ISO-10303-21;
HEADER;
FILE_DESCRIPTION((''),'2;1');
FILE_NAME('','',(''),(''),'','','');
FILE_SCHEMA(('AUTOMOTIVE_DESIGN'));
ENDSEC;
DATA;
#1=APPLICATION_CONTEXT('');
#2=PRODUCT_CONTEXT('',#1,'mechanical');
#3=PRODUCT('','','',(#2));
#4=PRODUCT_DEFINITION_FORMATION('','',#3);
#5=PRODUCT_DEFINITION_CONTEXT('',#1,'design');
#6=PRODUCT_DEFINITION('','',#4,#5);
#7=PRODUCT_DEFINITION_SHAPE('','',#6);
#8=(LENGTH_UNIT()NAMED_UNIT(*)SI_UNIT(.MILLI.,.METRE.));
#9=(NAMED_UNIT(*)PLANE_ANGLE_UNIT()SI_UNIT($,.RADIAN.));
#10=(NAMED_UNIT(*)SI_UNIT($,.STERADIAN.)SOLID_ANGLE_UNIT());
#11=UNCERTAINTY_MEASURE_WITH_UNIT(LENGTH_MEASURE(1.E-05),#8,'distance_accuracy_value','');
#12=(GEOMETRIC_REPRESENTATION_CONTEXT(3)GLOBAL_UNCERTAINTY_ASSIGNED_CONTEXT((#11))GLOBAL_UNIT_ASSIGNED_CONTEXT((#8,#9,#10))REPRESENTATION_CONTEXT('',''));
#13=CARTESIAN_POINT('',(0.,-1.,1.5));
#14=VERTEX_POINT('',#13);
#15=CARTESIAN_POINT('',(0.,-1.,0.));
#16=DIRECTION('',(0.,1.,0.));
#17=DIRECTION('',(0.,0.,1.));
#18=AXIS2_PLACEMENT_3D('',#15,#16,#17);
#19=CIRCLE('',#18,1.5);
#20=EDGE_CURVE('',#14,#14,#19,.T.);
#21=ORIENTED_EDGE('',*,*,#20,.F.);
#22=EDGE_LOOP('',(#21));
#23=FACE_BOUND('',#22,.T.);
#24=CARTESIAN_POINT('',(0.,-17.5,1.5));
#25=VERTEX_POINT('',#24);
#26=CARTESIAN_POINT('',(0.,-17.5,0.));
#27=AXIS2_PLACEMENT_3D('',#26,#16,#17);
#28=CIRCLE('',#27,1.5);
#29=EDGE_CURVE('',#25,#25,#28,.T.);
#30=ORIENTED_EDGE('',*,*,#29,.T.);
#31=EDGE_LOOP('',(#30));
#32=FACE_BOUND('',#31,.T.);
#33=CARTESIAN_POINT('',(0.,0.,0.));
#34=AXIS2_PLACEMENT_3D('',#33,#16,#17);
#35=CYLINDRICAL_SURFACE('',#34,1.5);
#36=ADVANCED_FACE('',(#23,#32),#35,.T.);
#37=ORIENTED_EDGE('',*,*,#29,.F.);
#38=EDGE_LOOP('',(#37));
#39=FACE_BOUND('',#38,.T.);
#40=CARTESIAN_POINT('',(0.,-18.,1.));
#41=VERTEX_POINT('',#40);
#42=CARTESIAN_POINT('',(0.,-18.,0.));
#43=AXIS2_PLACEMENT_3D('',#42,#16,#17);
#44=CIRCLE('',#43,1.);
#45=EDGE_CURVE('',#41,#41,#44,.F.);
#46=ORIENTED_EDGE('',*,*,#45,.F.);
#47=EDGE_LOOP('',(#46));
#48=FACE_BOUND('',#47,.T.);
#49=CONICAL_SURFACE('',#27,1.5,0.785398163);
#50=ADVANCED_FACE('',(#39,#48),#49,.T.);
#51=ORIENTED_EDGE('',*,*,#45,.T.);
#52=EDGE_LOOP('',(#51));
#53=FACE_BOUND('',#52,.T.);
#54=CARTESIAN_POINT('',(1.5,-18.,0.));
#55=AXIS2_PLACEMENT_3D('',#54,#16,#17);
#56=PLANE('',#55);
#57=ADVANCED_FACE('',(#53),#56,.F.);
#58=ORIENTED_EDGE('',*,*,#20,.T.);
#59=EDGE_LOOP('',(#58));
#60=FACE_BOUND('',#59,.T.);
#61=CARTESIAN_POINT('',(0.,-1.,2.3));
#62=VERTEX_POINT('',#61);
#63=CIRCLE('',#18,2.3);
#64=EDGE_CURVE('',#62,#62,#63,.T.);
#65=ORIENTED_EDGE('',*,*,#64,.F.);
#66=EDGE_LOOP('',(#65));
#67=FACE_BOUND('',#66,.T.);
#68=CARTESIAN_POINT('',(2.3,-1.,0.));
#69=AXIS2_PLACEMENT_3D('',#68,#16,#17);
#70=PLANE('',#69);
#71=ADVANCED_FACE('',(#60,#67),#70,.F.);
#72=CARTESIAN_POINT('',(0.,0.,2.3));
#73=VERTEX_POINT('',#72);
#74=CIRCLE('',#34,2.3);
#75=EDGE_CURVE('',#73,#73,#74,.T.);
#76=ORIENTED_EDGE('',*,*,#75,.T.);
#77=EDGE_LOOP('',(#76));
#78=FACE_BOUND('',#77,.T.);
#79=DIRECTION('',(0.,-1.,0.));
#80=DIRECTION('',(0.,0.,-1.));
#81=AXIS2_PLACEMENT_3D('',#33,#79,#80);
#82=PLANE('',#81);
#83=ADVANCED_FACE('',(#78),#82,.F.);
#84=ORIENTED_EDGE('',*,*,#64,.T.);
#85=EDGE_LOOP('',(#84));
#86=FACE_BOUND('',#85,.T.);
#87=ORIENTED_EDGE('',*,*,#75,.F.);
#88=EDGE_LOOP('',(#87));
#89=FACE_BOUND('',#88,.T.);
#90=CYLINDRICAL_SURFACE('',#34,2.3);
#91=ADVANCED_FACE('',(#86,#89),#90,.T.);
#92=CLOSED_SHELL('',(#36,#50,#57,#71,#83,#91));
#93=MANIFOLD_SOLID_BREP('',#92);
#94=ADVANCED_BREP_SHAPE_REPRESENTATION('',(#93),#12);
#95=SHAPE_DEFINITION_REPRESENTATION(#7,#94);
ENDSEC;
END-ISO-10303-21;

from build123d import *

# Parameters (mm, degrees)
CHAFL_N1_SIZE = 0.5


with BuildPart() as part:
    # Croquis1 → Revolución1 (revolve)
    with BuildSketch(Plane.XY):
        Polygon((0, 0), (2.3, 0), (2.3, -1), (1.5, -1), (1.5, -18), (0, -18), align=None)
    revolve(axis=Axis((0, 0, 0), (0, -1, 0)))

    # Chaflán1
    chafl_n1_edges = [part.edges().sort_by_distance(p)[0] for p in [
        (-1.5, -18, 0),
    ]]
    chamfer(chafl_n1_edges, length=CHAFL_N1_SIZE)


solid = part.part
